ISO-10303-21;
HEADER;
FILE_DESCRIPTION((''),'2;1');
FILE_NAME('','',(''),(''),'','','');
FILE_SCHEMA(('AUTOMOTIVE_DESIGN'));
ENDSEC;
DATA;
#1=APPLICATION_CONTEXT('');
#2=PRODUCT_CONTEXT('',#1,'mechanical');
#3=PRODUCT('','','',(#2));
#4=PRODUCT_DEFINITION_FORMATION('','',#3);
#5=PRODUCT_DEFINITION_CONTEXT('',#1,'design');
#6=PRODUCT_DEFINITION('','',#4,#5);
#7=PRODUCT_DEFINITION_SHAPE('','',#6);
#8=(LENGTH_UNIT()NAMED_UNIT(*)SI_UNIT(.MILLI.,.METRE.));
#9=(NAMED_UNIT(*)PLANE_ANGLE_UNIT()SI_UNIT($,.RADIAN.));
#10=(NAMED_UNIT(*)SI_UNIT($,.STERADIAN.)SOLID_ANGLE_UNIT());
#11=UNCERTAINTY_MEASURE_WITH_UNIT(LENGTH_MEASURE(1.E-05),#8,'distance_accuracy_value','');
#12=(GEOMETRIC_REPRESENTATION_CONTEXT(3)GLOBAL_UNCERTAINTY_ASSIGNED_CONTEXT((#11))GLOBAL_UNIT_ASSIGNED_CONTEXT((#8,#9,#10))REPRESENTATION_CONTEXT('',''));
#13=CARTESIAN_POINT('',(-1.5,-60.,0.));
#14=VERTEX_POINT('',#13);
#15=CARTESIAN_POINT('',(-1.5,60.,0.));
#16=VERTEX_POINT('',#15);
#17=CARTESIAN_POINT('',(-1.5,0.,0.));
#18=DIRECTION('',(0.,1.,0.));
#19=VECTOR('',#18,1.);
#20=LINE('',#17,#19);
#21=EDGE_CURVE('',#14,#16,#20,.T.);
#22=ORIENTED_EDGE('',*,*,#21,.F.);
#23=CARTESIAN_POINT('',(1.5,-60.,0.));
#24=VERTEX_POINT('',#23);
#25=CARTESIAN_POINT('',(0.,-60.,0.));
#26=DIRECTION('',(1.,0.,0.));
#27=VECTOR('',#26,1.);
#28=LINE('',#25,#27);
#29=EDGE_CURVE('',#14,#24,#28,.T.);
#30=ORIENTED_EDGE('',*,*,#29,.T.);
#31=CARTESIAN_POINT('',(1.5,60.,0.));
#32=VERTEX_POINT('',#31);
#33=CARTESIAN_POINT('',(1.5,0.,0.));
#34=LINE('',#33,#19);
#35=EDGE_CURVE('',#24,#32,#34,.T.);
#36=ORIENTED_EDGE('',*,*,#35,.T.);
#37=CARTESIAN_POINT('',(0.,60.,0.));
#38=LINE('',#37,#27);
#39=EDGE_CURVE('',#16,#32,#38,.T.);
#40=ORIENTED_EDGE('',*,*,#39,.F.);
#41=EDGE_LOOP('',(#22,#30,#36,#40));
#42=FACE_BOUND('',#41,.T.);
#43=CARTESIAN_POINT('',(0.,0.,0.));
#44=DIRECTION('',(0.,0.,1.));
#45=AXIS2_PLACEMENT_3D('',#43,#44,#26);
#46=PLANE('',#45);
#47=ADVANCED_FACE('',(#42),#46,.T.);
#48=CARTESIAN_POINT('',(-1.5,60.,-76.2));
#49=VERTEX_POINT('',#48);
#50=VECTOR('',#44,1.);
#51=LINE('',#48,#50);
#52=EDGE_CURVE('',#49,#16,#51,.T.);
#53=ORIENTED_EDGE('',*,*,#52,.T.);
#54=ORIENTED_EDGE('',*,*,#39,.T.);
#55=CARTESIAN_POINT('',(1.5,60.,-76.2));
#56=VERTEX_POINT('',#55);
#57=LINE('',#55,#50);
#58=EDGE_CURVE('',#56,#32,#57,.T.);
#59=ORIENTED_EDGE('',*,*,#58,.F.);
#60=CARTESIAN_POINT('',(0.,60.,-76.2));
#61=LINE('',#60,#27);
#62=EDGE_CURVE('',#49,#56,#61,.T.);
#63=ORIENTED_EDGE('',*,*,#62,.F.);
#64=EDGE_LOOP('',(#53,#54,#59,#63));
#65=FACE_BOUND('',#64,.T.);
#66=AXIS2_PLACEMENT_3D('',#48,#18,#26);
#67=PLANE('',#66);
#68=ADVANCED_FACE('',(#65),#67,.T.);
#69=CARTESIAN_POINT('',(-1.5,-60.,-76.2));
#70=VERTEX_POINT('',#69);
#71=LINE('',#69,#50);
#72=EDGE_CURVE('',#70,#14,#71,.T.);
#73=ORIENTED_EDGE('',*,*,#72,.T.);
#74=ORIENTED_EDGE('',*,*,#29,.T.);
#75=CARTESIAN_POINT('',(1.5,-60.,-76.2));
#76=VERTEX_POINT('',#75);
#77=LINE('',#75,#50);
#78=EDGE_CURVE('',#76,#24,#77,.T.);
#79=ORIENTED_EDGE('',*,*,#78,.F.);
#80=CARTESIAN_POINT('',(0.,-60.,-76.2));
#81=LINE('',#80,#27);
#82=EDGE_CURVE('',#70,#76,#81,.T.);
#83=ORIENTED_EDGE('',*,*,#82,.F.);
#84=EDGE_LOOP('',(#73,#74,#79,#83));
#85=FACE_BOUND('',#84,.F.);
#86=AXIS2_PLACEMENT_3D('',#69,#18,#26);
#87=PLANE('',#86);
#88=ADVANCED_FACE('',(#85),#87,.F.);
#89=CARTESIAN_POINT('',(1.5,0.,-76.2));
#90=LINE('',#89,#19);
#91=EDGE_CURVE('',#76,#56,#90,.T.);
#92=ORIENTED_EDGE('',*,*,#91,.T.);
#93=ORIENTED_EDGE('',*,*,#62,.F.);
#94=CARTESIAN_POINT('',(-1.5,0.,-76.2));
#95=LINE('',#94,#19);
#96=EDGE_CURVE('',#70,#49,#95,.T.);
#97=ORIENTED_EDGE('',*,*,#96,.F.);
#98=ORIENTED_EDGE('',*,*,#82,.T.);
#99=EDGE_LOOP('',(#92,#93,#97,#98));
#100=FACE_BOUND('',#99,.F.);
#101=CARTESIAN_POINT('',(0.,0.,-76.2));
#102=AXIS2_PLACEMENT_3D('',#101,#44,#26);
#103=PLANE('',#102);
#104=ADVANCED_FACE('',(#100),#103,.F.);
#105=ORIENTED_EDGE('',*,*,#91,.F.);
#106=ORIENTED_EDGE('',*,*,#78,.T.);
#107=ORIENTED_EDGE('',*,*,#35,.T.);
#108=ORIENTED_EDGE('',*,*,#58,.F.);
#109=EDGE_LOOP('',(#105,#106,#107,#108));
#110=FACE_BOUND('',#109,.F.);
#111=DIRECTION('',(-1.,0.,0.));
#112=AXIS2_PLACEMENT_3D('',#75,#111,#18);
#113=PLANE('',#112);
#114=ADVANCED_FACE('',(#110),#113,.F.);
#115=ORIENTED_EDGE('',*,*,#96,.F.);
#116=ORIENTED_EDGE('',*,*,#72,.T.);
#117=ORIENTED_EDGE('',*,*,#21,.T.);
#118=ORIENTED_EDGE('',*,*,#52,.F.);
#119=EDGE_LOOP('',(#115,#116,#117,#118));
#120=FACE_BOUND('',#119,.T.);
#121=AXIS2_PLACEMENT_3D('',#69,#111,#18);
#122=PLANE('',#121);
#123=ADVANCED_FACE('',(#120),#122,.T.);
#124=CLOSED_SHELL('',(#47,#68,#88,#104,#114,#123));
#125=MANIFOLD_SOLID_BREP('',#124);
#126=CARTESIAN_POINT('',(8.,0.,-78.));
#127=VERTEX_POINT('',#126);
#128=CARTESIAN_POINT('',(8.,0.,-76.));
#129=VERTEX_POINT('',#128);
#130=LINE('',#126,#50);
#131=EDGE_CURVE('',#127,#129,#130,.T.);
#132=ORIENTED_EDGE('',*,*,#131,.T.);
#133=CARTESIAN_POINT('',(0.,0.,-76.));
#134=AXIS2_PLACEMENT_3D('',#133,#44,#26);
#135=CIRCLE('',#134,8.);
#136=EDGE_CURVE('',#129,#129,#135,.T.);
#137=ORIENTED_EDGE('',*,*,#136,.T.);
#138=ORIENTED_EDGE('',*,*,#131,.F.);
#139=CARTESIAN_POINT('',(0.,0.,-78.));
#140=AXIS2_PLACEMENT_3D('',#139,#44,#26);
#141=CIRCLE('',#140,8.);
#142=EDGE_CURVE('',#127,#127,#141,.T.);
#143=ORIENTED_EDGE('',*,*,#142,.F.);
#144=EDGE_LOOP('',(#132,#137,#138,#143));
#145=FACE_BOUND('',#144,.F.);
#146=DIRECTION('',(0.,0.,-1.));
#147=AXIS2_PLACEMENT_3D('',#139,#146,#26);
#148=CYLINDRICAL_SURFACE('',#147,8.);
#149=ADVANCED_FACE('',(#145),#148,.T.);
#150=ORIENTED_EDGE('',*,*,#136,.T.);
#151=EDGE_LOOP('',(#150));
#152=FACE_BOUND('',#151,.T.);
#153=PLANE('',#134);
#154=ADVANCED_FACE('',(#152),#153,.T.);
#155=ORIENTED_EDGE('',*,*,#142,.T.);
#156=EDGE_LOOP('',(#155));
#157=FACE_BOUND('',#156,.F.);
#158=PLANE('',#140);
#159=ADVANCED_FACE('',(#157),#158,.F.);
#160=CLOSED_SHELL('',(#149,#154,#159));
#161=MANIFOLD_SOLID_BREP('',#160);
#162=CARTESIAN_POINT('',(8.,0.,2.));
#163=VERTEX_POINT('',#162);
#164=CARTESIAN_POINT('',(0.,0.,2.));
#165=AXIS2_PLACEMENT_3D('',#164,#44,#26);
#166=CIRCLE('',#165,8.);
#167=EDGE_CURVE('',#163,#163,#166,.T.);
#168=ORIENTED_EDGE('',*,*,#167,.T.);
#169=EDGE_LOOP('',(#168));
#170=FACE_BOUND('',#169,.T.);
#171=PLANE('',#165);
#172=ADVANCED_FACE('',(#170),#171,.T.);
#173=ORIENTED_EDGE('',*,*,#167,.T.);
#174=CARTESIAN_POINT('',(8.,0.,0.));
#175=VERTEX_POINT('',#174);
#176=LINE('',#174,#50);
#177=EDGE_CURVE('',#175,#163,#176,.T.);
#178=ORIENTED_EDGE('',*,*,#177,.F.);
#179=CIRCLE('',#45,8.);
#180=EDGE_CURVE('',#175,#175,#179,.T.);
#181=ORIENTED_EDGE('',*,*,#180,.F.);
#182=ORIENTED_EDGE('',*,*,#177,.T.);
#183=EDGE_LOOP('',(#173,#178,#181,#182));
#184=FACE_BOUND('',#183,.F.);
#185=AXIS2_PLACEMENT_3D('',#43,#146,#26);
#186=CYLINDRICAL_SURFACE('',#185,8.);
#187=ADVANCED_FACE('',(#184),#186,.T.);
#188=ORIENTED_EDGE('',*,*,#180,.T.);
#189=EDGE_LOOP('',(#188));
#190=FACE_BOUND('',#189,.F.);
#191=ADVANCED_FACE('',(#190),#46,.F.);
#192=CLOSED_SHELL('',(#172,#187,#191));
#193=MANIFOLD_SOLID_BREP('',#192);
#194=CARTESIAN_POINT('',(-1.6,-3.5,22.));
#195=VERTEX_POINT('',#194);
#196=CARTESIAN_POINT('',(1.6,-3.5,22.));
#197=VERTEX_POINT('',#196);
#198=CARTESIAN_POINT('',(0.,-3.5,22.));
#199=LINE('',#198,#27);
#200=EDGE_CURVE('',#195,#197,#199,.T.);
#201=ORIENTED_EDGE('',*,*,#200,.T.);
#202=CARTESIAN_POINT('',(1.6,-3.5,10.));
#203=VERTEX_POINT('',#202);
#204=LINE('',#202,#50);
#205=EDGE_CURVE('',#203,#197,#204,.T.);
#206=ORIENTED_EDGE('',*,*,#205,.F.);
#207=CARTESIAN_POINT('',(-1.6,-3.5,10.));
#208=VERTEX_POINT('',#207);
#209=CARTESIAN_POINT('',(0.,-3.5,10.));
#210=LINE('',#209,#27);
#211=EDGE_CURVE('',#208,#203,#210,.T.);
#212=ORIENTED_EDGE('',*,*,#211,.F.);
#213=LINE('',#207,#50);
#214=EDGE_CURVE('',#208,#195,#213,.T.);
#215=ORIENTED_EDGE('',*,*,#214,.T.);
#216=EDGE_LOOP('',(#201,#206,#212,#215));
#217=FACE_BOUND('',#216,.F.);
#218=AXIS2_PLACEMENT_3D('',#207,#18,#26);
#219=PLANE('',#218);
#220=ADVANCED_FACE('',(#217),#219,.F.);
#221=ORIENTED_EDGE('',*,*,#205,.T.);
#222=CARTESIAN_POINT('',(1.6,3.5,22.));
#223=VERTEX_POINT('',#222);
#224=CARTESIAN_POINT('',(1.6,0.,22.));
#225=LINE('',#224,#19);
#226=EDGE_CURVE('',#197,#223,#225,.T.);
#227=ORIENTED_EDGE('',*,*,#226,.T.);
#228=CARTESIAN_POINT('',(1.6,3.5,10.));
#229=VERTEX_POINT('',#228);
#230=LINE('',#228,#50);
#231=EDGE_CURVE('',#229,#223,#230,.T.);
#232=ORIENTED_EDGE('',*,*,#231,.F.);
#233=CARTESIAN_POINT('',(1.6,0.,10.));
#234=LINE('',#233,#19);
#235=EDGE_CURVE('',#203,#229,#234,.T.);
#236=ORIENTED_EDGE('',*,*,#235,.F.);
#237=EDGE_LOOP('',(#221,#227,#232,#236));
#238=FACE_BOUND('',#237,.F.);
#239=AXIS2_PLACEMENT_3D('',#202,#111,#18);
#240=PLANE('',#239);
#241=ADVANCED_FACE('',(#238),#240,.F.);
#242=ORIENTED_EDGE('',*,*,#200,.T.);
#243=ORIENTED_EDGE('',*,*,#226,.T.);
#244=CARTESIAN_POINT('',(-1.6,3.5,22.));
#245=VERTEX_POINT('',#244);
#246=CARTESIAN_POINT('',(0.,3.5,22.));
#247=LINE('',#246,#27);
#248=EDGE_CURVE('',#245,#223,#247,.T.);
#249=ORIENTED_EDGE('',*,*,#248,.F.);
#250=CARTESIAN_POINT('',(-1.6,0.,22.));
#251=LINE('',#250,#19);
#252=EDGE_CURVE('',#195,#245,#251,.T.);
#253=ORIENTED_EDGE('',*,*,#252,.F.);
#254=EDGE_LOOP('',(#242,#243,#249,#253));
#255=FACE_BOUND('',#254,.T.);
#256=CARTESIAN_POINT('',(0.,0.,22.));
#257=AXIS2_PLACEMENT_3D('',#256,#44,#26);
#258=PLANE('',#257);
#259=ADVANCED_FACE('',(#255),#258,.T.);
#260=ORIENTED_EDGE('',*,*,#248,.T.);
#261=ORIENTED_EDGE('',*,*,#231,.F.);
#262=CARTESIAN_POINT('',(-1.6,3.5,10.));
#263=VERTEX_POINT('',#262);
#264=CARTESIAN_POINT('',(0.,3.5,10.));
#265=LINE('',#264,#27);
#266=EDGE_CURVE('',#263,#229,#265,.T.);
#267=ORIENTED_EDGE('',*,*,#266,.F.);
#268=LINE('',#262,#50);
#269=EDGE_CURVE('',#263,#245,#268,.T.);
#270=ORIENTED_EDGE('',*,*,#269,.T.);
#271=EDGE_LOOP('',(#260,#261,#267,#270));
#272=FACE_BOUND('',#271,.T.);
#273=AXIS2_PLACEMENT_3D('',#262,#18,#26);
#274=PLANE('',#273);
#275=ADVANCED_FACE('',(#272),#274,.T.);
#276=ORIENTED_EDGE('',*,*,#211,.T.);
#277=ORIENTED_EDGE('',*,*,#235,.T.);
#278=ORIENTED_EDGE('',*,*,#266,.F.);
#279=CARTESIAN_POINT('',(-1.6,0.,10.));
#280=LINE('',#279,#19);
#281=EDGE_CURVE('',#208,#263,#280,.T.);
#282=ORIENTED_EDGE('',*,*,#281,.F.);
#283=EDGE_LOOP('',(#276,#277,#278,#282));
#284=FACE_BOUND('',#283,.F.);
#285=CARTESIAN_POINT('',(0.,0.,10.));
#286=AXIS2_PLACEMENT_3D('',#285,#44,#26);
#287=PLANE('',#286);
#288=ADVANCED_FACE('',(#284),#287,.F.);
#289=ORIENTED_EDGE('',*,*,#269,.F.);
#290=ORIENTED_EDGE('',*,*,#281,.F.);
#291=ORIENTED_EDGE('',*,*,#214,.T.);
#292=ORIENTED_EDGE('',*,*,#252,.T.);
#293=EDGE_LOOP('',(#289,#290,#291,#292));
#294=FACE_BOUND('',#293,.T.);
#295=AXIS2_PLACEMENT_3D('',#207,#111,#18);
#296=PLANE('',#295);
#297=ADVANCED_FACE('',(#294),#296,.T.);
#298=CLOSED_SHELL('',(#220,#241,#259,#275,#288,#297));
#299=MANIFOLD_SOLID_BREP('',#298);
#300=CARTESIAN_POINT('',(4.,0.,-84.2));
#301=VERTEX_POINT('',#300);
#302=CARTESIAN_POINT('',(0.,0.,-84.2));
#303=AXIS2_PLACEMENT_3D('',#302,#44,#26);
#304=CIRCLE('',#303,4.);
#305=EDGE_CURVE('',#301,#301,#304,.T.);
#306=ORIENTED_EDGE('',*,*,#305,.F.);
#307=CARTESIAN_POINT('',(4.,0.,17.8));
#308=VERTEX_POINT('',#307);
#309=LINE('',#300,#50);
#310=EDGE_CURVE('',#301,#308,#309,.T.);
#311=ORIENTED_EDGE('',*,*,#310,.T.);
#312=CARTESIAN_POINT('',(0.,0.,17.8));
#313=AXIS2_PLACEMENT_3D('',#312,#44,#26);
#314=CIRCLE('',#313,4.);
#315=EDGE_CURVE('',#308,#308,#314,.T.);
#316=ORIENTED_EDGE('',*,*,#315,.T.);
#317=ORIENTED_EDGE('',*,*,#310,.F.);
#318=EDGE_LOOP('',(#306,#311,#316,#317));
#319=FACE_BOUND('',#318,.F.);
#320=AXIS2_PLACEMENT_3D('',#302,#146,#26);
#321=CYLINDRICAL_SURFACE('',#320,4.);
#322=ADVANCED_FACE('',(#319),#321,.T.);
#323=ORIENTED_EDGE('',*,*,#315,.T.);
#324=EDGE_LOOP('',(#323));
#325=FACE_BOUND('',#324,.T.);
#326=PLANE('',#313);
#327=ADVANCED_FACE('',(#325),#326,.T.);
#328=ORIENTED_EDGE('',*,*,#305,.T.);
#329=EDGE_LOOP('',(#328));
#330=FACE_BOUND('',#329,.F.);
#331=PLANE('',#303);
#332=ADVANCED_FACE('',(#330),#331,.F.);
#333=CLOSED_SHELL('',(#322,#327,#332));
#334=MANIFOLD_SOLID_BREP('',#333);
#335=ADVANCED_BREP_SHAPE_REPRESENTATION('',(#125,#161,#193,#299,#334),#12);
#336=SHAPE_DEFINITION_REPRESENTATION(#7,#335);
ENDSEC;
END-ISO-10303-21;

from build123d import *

# Parameters (mm, degrees)
CYLINDER_R        = 4
CYLINDER_DEPTH    = 102
BOX_W             = 3.2
BOX_H             = 7
BOX_DEPTH         = 12
BOX001_W          = 3
BOX001_H          = 120
BOX001_DEPTH      = 76.2
CYLINDER001_R     = 8
CYLINDER001_DEPTH = 2
CYLINDER002_R     = 8
CYLINDER002_DEPTH = 2


with BuildPart() as cylinder:
    # Cylinder → Cylinder (new body)
    with BuildSketch(Plane.XY.offset(-84.2)):
        Circle(CYLINDER_R)
    extrude(amount=CYLINDER_DEPTH)


with BuildPart() as cube:
    # Box → Box (new body)
    with BuildSketch(Plane(origin=(-1.6, -3.5, 10), x_dir=(1, 0, 0), z_dir=(0, 0, 1))):
        with Locations((1.6, 3.5)):
            Rectangle(BOX_W, BOX_H)
    extrude(amount=BOX_DEPTH)


with BuildPart() as cube001:
    # Box001 → Box001 (new body)
    with BuildSketch(Plane(origin=(-1.5, -60, -76.2), x_dir=(1, 0, 0), z_dir=(0, 0, 1))):
        with Locations((1.5, 60)):
            Rectangle(BOX001_W, BOX001_H)
    extrude(amount=BOX001_DEPTH)


with BuildPart() as cylinder001:
    # Cylinder001 → Cylinder001 (new body)
    with BuildSketch(Plane.XY):
        Circle(CYLINDER001_R)
    extrude(amount=CYLINDER001_DEPTH)


with BuildPart() as cylinder002:
    # Cylinder002 → Cylinder002 (new body)
    with BuildSketch(Plane.XY.offset(-78)):
        Circle(CYLINDER002_R)
    extrude(amount=CYLINDER002_DEPTH)


solid = Compound([cylinder.part, cube.part, cube001.part, cylinder001.part, cylinder002.part])
